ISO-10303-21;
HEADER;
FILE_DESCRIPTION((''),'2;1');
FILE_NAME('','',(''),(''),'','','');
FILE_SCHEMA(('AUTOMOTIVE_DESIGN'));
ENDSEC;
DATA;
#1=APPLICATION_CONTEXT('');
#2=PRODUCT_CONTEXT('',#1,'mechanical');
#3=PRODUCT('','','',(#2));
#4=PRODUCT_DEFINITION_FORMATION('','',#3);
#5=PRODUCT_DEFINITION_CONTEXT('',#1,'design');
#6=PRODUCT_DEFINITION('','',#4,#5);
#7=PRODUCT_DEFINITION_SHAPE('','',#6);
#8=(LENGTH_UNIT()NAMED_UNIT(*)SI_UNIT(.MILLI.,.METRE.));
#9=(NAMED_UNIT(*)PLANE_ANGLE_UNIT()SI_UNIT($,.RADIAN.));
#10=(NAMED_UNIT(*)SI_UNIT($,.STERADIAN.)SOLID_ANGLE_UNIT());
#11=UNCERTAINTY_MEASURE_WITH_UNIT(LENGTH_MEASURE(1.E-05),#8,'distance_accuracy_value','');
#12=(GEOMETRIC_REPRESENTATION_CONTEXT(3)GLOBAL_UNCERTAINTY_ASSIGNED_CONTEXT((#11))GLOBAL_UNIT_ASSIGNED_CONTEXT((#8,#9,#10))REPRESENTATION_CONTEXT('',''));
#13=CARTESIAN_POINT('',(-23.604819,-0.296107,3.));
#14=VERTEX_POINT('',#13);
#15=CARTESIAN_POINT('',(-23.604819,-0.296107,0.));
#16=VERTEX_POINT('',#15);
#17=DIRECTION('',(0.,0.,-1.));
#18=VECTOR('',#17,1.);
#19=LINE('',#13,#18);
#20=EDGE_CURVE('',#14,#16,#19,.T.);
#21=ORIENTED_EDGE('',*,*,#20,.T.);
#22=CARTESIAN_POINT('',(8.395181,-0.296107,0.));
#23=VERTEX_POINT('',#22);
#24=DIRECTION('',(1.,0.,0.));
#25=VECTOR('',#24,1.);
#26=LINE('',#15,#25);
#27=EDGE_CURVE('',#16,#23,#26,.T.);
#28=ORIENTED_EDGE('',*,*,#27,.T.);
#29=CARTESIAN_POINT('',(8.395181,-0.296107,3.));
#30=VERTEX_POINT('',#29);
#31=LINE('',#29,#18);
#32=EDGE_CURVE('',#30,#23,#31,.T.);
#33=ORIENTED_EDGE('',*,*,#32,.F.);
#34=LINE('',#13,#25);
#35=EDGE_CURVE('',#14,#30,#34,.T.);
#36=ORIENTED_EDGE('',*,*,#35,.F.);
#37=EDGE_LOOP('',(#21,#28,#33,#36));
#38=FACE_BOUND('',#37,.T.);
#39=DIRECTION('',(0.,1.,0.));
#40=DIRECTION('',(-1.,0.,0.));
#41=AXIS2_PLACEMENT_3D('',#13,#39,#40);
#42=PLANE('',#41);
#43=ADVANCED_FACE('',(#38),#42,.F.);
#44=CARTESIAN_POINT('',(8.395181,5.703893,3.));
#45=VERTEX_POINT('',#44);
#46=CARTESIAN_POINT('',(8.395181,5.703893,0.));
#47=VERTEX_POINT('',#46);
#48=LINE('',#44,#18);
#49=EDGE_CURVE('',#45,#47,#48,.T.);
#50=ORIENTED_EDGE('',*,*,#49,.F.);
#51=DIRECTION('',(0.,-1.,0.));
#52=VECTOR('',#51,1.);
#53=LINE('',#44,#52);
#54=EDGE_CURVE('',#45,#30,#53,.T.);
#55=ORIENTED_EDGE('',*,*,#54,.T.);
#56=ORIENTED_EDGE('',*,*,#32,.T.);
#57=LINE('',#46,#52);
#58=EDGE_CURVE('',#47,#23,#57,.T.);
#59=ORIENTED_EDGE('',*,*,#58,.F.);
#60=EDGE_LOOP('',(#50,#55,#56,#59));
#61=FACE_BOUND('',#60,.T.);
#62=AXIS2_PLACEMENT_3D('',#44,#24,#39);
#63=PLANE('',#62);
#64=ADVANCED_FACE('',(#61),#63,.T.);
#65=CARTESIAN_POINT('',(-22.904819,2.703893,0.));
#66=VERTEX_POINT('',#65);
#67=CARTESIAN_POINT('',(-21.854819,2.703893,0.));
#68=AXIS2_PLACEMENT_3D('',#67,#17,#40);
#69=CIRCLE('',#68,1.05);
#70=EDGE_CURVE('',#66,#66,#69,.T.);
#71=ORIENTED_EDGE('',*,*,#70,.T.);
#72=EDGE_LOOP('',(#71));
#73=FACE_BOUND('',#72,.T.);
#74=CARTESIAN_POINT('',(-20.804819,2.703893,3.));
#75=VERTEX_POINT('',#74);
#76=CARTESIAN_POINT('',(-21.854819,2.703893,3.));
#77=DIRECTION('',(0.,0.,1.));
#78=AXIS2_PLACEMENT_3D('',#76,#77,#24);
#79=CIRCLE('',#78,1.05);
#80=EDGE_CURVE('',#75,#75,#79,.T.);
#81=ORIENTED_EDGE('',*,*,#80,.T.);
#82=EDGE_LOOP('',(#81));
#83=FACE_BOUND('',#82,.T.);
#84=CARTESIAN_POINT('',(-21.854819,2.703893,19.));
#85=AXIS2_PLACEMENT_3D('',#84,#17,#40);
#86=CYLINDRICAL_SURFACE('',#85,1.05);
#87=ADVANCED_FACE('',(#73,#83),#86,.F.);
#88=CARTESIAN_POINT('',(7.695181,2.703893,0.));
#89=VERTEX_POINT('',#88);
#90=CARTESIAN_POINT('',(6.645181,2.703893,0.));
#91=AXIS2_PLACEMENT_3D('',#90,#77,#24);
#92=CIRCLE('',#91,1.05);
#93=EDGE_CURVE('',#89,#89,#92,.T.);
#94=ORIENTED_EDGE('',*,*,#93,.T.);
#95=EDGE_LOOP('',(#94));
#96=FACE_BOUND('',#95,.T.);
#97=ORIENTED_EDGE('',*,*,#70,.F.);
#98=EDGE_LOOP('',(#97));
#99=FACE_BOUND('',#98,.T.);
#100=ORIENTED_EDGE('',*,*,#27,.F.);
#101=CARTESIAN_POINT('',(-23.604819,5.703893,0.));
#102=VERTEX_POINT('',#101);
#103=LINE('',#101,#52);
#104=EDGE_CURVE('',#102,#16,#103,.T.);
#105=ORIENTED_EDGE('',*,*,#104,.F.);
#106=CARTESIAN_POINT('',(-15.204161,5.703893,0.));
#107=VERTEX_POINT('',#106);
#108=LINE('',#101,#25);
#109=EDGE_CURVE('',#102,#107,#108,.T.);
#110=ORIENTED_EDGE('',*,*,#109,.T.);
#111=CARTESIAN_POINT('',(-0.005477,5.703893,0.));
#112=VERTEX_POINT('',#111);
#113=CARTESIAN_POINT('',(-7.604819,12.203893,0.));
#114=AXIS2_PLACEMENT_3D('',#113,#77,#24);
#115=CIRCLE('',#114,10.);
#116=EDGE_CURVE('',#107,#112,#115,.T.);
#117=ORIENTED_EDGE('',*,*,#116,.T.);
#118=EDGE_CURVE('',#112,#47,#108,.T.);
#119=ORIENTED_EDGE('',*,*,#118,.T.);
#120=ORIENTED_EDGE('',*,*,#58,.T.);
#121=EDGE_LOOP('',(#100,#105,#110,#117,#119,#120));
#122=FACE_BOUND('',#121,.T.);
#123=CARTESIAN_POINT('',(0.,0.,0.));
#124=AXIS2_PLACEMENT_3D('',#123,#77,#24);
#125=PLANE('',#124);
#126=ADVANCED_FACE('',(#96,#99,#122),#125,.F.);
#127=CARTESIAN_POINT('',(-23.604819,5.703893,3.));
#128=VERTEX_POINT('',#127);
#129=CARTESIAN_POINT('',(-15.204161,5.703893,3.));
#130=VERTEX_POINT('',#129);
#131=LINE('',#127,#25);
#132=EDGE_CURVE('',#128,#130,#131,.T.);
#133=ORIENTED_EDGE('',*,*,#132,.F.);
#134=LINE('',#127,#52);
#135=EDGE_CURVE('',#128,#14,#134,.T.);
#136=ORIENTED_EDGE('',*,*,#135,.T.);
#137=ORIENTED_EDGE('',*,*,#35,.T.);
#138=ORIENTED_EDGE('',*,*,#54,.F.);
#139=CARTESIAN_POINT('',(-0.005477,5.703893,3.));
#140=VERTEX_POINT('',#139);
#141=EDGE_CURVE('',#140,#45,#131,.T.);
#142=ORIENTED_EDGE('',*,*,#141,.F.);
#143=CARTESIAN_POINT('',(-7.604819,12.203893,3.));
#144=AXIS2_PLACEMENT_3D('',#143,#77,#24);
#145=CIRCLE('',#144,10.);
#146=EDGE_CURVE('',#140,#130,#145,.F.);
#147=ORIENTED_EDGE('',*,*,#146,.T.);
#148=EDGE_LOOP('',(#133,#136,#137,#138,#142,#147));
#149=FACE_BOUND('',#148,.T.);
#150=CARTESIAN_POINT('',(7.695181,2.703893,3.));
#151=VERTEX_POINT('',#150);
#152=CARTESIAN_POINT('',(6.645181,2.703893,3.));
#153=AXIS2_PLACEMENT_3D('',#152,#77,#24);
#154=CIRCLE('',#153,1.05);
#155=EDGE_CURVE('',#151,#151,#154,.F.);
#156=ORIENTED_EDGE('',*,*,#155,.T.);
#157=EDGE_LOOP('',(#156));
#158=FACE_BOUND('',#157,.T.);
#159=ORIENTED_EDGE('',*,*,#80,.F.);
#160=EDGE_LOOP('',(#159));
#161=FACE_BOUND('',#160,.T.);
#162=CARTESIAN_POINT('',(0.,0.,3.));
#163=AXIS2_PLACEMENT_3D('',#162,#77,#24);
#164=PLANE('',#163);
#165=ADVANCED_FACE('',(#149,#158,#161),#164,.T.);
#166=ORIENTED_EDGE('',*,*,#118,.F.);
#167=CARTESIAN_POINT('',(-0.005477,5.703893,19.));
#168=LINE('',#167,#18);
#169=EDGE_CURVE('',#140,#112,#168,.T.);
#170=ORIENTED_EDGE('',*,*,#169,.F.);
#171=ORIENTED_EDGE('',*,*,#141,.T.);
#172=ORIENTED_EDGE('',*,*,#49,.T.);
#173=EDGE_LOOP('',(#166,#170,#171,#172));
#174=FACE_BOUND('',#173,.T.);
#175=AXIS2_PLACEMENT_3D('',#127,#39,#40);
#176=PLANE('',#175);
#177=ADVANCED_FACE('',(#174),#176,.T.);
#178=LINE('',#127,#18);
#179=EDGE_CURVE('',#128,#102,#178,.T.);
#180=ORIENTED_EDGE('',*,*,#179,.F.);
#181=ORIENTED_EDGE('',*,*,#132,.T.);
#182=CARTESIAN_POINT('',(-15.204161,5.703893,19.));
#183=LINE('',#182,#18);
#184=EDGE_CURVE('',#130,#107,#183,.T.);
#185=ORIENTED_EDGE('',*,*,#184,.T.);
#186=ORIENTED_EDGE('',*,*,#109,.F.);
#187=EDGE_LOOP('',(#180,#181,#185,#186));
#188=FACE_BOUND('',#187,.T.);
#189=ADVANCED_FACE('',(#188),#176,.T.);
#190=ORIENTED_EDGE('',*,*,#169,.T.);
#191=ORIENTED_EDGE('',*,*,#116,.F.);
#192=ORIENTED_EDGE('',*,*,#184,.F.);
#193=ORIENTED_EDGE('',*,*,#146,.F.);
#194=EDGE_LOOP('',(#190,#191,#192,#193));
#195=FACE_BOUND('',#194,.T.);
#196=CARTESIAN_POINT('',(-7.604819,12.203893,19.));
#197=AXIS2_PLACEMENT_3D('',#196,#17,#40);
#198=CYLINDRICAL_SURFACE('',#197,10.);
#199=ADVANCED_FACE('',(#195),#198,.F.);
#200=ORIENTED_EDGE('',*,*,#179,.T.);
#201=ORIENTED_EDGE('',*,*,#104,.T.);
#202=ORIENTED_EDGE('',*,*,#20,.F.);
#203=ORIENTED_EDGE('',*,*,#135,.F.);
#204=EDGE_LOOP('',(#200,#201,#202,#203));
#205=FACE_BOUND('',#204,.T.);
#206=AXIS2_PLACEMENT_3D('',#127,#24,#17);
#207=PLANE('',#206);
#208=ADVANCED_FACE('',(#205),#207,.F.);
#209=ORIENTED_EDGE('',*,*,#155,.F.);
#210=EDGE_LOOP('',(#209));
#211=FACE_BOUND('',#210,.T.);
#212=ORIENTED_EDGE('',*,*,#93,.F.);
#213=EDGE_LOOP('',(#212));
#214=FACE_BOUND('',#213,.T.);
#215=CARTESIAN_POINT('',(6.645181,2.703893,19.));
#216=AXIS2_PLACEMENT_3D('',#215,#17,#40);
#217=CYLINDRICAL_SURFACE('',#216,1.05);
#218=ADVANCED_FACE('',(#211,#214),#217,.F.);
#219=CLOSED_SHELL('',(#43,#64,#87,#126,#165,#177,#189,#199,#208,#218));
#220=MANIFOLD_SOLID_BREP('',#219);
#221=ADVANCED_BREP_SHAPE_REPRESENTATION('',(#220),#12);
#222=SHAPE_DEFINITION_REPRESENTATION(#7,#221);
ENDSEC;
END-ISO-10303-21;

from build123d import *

# Parameters (mm, degrees)
ESQUISSE1_W             = 32
ESQUISSE1_H             = 6
BOSS_EXTRU_1_DEPTH      = 3
ESQUISSE1_3_R           = 1.05
ENL_V_MAT_EXTRU_1_DEPTH = 19


with BuildPart() as part:
    # Esquisse1 → Boss.-Extru.1 (new body)
    with BuildSketch(Plane.XY):
        with Locations((-7.60481861, 2.703893443)):
            Rectangle(ESQUISSE1_W, ESQUISSE1_H)
    extrude(amount=BOSS_EXTRU_1_DEPTH)

    # Esquisse1<3> → Enlèv. mat.-Extru.1 (cut)
    with BuildSketch(Plane.XY):
        with BuildLine():
            Line((-0.005476534, 5.703893443), (-15.204160687, 5.703893443))
            ThreePointArc((-15.204160687, 5.703893443), (-7.60481861, 2.203893443), (-0.005476534, 5.703893443))
        make_face()
        with Locations((6.64518139, 2.703893443)):
            Circle(ESQUISSE1_3_R)
        with Locations((-21.85481861, 2.703893443)):
            Circle(ESQUISSE1_3_R)
    extrude(amount=ENL_V_MAT_EXTRU_1_DEPTH, mode=Mode.SUBTRACT)


solid = part.part
